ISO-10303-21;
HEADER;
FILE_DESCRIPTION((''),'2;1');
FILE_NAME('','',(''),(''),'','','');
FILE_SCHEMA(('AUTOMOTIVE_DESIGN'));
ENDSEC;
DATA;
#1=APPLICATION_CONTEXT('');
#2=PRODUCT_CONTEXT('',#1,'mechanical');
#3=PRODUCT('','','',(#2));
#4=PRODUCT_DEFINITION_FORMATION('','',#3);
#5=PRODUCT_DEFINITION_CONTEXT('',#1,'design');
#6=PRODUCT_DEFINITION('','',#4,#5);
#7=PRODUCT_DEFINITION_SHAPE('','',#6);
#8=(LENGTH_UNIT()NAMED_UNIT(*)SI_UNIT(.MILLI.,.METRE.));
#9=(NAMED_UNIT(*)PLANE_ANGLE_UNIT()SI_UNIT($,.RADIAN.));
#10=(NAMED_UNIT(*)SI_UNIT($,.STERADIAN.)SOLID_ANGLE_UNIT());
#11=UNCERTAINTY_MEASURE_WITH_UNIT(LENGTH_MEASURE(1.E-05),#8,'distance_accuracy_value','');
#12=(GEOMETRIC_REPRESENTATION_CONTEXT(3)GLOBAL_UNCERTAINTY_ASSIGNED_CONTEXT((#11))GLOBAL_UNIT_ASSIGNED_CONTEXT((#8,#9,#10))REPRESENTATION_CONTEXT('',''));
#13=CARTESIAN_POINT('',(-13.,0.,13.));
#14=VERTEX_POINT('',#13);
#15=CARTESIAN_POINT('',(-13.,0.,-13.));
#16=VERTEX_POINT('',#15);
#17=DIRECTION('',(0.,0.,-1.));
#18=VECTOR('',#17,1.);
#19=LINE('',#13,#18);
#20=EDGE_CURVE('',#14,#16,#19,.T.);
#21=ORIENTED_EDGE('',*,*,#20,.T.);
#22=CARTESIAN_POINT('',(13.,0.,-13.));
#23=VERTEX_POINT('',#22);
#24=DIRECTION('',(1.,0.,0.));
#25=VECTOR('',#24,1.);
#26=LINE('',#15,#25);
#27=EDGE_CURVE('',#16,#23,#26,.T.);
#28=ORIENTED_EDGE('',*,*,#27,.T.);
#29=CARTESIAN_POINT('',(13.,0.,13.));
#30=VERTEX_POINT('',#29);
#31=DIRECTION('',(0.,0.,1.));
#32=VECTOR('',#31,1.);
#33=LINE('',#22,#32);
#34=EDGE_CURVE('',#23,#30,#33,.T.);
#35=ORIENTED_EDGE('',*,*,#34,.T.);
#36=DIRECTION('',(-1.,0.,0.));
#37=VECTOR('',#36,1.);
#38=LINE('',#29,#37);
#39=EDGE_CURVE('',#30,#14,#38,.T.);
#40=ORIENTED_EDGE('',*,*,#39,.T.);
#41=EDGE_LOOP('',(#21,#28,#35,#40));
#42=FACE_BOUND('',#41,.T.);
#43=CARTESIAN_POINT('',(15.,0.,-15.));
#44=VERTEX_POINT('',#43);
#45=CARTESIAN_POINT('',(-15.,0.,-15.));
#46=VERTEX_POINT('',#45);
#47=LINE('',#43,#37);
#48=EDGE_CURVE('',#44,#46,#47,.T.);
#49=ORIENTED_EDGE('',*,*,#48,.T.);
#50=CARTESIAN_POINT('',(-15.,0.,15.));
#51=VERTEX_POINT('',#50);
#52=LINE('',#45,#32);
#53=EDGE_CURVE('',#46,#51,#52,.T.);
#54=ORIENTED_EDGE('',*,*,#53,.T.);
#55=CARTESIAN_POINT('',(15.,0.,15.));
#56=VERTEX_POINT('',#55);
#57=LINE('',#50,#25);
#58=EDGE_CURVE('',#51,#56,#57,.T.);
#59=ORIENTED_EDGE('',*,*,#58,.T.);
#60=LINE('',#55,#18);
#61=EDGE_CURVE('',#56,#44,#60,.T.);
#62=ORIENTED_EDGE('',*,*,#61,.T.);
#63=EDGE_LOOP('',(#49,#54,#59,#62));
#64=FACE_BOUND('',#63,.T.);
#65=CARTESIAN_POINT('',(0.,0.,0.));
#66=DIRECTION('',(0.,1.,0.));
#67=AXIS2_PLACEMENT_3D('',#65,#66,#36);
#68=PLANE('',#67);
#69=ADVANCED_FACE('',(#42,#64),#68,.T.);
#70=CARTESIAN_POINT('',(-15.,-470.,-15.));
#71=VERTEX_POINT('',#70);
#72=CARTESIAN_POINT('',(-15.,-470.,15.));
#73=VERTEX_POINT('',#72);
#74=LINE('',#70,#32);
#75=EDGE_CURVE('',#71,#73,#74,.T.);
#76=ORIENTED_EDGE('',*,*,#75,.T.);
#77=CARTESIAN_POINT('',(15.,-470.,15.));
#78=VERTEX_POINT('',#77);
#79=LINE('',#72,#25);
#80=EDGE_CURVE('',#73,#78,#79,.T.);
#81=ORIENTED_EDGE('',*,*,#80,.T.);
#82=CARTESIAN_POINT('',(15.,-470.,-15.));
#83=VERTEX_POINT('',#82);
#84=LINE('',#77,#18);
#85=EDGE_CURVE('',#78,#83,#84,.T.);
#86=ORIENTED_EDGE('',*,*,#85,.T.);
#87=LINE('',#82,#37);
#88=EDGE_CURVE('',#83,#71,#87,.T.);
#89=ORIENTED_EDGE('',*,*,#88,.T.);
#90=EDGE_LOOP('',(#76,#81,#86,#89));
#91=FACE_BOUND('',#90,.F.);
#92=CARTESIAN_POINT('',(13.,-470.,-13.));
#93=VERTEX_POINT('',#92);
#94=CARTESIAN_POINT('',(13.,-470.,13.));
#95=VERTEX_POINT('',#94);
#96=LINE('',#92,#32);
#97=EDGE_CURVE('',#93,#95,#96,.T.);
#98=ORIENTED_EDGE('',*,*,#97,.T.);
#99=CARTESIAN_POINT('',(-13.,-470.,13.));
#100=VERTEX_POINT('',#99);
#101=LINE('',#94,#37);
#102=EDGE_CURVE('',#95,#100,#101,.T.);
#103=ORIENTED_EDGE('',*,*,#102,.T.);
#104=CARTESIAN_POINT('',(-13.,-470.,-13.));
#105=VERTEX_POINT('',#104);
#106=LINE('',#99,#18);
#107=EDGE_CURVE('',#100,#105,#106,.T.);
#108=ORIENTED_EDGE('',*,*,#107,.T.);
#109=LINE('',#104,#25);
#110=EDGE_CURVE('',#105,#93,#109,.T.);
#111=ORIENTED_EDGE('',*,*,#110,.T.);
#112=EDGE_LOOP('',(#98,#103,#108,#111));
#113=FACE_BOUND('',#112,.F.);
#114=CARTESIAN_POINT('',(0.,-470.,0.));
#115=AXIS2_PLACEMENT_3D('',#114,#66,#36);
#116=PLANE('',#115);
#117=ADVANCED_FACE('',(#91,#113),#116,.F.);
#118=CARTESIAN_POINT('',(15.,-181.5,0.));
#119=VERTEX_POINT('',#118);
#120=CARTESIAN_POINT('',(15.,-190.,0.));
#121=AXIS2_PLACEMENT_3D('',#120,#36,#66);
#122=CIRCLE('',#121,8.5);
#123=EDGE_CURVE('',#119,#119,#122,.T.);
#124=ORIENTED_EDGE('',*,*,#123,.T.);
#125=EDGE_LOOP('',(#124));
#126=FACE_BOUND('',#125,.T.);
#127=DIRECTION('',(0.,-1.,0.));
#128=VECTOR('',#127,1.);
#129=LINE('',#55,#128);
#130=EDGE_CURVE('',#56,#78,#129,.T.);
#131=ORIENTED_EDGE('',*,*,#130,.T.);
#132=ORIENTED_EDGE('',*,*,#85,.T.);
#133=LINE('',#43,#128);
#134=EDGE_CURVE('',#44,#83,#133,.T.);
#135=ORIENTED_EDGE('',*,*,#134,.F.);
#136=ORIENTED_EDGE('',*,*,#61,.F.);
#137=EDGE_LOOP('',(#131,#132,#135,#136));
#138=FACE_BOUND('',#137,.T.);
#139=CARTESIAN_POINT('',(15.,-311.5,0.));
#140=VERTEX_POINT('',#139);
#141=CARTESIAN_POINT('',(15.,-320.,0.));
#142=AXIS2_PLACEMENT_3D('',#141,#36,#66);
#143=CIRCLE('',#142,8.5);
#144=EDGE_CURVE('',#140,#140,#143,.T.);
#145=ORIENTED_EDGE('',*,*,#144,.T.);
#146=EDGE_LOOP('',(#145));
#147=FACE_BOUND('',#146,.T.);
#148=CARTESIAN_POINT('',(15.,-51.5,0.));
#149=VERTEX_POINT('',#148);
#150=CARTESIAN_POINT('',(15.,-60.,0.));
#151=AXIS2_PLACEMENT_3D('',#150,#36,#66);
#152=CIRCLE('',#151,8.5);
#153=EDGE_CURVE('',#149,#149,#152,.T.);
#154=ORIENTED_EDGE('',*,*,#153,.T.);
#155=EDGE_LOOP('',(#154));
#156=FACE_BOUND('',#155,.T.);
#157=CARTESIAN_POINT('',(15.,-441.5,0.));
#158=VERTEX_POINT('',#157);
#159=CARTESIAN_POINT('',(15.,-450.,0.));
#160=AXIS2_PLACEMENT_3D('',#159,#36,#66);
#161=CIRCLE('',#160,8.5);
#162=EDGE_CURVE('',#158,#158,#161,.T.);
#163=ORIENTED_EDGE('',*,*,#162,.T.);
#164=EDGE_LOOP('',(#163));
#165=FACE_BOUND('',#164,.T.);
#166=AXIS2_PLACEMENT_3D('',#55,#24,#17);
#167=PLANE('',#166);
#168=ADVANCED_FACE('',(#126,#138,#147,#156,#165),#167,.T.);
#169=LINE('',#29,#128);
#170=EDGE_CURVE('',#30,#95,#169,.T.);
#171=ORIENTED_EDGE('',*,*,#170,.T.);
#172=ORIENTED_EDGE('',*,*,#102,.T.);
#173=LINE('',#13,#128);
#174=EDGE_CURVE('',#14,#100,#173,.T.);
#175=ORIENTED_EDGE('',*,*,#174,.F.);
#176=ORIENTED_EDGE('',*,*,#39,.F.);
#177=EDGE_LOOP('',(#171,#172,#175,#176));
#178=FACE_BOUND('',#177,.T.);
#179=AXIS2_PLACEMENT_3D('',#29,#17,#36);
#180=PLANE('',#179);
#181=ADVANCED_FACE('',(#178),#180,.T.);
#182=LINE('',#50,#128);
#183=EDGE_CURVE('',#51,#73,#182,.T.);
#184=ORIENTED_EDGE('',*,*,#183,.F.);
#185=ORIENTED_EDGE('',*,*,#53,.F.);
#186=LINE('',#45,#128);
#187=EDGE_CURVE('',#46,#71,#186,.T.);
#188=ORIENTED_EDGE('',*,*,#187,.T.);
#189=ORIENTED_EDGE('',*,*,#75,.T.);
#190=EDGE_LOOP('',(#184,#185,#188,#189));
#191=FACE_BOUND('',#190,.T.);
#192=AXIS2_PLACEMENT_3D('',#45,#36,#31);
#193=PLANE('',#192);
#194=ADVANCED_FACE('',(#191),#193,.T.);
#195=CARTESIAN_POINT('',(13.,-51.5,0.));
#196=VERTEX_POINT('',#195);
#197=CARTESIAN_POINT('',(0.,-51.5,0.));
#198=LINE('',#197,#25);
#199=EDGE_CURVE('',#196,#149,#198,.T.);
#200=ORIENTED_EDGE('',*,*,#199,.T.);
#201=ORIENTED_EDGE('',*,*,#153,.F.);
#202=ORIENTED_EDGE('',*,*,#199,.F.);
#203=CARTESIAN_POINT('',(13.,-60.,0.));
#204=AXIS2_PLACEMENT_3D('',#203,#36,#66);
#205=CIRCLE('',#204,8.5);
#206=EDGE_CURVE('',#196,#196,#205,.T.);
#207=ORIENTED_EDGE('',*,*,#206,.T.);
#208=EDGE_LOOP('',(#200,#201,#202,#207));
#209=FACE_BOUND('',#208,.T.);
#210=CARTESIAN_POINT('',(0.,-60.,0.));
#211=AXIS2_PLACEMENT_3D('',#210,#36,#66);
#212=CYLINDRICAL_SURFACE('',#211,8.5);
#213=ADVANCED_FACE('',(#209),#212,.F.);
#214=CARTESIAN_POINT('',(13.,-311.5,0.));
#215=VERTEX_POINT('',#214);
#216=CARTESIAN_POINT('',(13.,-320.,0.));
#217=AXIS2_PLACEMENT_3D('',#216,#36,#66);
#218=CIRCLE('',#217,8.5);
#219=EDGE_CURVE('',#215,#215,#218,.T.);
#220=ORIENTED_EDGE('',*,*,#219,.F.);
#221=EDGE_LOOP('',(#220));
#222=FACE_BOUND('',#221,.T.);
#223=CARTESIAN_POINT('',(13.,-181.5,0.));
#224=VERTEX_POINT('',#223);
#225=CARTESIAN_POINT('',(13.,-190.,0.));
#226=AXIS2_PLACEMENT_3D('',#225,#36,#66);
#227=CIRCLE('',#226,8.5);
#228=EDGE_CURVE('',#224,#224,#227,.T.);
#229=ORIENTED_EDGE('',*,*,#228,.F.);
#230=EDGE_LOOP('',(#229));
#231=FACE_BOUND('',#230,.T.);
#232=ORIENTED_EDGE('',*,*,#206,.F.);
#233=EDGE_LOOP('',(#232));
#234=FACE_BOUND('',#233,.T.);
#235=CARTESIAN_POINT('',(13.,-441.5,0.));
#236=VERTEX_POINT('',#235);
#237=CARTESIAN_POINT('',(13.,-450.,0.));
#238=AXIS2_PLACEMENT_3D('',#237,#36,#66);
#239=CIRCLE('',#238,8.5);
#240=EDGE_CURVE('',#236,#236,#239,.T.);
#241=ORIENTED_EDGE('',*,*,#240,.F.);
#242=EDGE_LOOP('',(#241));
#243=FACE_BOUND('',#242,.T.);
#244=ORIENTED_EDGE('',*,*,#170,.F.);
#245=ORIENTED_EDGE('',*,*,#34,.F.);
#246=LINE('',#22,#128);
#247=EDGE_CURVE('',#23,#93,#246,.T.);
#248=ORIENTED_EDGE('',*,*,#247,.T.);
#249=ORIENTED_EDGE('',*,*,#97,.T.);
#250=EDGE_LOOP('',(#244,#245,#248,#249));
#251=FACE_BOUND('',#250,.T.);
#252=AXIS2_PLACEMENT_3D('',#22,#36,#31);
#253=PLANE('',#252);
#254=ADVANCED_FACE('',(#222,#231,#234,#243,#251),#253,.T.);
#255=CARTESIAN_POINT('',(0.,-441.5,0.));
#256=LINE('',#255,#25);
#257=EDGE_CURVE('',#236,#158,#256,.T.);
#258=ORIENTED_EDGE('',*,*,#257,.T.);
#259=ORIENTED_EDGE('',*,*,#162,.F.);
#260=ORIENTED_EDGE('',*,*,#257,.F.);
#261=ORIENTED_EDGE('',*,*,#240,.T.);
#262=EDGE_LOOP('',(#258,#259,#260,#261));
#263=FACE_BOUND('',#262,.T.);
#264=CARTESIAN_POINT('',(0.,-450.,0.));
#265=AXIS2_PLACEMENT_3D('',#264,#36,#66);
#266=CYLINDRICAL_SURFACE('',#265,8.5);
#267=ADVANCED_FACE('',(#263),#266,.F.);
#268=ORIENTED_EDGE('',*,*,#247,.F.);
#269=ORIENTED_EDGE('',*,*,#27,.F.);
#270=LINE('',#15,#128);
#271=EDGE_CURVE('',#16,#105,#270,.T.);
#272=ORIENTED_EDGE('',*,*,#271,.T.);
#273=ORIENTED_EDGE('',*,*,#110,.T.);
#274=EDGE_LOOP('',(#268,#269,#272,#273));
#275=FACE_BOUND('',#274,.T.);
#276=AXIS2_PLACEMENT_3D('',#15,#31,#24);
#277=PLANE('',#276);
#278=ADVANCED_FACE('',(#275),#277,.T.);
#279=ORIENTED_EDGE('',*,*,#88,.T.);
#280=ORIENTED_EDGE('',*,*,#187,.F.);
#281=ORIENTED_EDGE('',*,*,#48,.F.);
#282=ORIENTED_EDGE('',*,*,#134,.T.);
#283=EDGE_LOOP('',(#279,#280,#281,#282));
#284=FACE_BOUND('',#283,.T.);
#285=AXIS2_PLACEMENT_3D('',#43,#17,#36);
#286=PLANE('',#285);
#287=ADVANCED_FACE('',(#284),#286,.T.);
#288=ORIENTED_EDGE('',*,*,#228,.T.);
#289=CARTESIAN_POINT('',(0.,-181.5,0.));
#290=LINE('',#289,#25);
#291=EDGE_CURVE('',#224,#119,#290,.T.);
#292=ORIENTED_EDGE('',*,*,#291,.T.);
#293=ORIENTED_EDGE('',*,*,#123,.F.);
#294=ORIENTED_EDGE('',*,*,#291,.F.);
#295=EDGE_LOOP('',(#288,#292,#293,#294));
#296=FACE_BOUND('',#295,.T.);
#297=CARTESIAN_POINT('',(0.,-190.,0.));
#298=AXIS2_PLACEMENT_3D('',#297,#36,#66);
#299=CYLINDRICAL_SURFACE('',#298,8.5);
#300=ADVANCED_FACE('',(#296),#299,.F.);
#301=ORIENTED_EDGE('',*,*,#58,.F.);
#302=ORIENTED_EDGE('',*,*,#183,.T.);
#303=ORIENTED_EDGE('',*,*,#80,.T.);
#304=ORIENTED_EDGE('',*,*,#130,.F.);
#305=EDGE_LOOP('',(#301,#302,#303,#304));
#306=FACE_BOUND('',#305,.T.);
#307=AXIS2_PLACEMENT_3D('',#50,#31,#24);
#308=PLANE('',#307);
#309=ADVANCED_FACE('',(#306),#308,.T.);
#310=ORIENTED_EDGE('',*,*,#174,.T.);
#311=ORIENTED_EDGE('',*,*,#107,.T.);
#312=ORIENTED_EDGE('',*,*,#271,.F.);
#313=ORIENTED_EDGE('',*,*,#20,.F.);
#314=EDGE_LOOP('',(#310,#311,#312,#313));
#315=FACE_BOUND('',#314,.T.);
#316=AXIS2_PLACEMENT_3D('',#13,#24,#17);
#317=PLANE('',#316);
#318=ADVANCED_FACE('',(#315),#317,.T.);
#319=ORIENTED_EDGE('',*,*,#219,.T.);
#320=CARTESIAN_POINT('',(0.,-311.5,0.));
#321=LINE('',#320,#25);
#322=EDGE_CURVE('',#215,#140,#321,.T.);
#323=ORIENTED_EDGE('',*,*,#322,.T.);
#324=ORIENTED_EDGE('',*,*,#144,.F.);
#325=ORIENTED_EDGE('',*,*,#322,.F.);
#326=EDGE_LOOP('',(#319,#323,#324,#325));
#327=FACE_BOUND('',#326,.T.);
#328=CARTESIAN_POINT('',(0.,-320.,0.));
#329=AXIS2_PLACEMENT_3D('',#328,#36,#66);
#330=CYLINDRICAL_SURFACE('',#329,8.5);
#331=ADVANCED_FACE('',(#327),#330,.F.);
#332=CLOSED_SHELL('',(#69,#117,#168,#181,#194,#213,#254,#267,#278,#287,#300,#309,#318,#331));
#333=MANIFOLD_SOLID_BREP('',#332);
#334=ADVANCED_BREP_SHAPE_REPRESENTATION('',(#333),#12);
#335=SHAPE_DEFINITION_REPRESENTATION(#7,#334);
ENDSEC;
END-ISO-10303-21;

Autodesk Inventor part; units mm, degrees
ref_plane "YZ Plane" through (0, 0, 0) normal (1, 0, 0) x (0, 1, 0)
ref_plane "XZ Plane" through (0, 0, 0) normal (0, 1, 0) x (-1, 0, 0)
ref_plane "XY Plane" through (0, 0, 0) normal (0, 0, 1) x (1, 0, 0)
sketch "Sketch9" plane through (0, 0, 0) normal (0, 1, 0) x (-1, 0, 0)
  line L0 (15, 15) -> (-15, 15)
  line L1 (-15, 15) -> (-15, -15)
  line L2 (-15, -15) -> (15, -15)
  line L3 (15, -15) -> (15, 15)
  line L4 (15, 15) -> (-15, -15) construction
  line L5 (-15, 15) -> (15, -15) construction
  line L6 (-13, 13) -> (13, 13)
  line L7 (13, 13) -> (13, -13)
  line L8 (13, -13) -> (-13, -13)
  line L9 (-13, -13) -> (-13, 13)
  point P0 (0, 0)
  dimension "d172" = 30
  dimension "d173" = 30
  dimension "d174" = 2
extrude "Extrusion3" add sketch "Sketch9" against normal blind 470
sketch "Sketch10" plane through (0, 0, 0) normal (1, 0, 0) x (0, 1, 0)
  line L0 (0, 15) -> (0, -15) construction
  line L1 (0, 15) -> (-470, 15) construction
  line L2 (-470, -15) -> (-470, 15) construction
  line L3 (0, -15) -> (-470, -15) construction
  line L4 (-68.5, 8.5) -> (-51.5, 8.5)
  line L5 (-51.5, 8.5) -> (-51.5, -8.5)
  line L6 (-51.5, -8.5) -> (-68.5, -8.5)
  line L7 (-68.5, -8.5) -> (-68.5, 8.5)
  line L8 (-68.5, 8.5) -> (-51.5, -8.5) construction
  line L9 (-51.5, 8.5) -> (-68.5, -8.5) construction
  line L10 (-198.5, 8.5) -> (-181.5, 8.5)
  line L11 (-181.5, 8.5) -> (-181.5, -8.5)
  line L12 (-181.5, -8.5) -> (-198.5, -8.5)
  line L13 (-198.5, -8.5) -> (-198.5, 8.5)
  line L14 (-198.5, 8.5) -> (-181.5, -8.5) construction
  line L15 (-181.5, 8.5) -> (-198.5, -8.5) construction
  line L16 (-328.5, 8.5) -> (-311.5, 8.5)
  line L17 (-311.5, 8.5) -> (-311.5, -8.5)
  line L18 (-311.5, -8.5) -> (-328.5, -8.5)
  line L19 (-328.5, -8.5) -> (-328.5, 8.5)
  line L20 (-328.5, 8.5) -> (-311.5, -8.5) construction
  line L21 (-311.5, 8.5) -> (-328.5, -8.5) construction
  circle A0 centre (-450, 0) radius 8.5
  line L22 (0, 0) -> (30, 0)
  circle A1 centre (-60, 0) radius 8.5
  circle A2 centre (-190, 0) radius 8.5
  circle A3 centre (-320, 0) radius 8.5
  dimension "d177" = 17
  dimension "d178" = 17
  dimension "d181" = 30
  dimension "d182" = 90
  dimension "d183" = 220
  dimension "d184" = 350
  dimension "d185" = 480
  dimension "d186" = 17
extrude "Extrusion4" cut sketch "Sketch10" along normal through all contours A1 | A2 | A3 | A0
properties part number "PNS 754 FDS 1200 way tube 1_1600" material "Stainless Steel"
